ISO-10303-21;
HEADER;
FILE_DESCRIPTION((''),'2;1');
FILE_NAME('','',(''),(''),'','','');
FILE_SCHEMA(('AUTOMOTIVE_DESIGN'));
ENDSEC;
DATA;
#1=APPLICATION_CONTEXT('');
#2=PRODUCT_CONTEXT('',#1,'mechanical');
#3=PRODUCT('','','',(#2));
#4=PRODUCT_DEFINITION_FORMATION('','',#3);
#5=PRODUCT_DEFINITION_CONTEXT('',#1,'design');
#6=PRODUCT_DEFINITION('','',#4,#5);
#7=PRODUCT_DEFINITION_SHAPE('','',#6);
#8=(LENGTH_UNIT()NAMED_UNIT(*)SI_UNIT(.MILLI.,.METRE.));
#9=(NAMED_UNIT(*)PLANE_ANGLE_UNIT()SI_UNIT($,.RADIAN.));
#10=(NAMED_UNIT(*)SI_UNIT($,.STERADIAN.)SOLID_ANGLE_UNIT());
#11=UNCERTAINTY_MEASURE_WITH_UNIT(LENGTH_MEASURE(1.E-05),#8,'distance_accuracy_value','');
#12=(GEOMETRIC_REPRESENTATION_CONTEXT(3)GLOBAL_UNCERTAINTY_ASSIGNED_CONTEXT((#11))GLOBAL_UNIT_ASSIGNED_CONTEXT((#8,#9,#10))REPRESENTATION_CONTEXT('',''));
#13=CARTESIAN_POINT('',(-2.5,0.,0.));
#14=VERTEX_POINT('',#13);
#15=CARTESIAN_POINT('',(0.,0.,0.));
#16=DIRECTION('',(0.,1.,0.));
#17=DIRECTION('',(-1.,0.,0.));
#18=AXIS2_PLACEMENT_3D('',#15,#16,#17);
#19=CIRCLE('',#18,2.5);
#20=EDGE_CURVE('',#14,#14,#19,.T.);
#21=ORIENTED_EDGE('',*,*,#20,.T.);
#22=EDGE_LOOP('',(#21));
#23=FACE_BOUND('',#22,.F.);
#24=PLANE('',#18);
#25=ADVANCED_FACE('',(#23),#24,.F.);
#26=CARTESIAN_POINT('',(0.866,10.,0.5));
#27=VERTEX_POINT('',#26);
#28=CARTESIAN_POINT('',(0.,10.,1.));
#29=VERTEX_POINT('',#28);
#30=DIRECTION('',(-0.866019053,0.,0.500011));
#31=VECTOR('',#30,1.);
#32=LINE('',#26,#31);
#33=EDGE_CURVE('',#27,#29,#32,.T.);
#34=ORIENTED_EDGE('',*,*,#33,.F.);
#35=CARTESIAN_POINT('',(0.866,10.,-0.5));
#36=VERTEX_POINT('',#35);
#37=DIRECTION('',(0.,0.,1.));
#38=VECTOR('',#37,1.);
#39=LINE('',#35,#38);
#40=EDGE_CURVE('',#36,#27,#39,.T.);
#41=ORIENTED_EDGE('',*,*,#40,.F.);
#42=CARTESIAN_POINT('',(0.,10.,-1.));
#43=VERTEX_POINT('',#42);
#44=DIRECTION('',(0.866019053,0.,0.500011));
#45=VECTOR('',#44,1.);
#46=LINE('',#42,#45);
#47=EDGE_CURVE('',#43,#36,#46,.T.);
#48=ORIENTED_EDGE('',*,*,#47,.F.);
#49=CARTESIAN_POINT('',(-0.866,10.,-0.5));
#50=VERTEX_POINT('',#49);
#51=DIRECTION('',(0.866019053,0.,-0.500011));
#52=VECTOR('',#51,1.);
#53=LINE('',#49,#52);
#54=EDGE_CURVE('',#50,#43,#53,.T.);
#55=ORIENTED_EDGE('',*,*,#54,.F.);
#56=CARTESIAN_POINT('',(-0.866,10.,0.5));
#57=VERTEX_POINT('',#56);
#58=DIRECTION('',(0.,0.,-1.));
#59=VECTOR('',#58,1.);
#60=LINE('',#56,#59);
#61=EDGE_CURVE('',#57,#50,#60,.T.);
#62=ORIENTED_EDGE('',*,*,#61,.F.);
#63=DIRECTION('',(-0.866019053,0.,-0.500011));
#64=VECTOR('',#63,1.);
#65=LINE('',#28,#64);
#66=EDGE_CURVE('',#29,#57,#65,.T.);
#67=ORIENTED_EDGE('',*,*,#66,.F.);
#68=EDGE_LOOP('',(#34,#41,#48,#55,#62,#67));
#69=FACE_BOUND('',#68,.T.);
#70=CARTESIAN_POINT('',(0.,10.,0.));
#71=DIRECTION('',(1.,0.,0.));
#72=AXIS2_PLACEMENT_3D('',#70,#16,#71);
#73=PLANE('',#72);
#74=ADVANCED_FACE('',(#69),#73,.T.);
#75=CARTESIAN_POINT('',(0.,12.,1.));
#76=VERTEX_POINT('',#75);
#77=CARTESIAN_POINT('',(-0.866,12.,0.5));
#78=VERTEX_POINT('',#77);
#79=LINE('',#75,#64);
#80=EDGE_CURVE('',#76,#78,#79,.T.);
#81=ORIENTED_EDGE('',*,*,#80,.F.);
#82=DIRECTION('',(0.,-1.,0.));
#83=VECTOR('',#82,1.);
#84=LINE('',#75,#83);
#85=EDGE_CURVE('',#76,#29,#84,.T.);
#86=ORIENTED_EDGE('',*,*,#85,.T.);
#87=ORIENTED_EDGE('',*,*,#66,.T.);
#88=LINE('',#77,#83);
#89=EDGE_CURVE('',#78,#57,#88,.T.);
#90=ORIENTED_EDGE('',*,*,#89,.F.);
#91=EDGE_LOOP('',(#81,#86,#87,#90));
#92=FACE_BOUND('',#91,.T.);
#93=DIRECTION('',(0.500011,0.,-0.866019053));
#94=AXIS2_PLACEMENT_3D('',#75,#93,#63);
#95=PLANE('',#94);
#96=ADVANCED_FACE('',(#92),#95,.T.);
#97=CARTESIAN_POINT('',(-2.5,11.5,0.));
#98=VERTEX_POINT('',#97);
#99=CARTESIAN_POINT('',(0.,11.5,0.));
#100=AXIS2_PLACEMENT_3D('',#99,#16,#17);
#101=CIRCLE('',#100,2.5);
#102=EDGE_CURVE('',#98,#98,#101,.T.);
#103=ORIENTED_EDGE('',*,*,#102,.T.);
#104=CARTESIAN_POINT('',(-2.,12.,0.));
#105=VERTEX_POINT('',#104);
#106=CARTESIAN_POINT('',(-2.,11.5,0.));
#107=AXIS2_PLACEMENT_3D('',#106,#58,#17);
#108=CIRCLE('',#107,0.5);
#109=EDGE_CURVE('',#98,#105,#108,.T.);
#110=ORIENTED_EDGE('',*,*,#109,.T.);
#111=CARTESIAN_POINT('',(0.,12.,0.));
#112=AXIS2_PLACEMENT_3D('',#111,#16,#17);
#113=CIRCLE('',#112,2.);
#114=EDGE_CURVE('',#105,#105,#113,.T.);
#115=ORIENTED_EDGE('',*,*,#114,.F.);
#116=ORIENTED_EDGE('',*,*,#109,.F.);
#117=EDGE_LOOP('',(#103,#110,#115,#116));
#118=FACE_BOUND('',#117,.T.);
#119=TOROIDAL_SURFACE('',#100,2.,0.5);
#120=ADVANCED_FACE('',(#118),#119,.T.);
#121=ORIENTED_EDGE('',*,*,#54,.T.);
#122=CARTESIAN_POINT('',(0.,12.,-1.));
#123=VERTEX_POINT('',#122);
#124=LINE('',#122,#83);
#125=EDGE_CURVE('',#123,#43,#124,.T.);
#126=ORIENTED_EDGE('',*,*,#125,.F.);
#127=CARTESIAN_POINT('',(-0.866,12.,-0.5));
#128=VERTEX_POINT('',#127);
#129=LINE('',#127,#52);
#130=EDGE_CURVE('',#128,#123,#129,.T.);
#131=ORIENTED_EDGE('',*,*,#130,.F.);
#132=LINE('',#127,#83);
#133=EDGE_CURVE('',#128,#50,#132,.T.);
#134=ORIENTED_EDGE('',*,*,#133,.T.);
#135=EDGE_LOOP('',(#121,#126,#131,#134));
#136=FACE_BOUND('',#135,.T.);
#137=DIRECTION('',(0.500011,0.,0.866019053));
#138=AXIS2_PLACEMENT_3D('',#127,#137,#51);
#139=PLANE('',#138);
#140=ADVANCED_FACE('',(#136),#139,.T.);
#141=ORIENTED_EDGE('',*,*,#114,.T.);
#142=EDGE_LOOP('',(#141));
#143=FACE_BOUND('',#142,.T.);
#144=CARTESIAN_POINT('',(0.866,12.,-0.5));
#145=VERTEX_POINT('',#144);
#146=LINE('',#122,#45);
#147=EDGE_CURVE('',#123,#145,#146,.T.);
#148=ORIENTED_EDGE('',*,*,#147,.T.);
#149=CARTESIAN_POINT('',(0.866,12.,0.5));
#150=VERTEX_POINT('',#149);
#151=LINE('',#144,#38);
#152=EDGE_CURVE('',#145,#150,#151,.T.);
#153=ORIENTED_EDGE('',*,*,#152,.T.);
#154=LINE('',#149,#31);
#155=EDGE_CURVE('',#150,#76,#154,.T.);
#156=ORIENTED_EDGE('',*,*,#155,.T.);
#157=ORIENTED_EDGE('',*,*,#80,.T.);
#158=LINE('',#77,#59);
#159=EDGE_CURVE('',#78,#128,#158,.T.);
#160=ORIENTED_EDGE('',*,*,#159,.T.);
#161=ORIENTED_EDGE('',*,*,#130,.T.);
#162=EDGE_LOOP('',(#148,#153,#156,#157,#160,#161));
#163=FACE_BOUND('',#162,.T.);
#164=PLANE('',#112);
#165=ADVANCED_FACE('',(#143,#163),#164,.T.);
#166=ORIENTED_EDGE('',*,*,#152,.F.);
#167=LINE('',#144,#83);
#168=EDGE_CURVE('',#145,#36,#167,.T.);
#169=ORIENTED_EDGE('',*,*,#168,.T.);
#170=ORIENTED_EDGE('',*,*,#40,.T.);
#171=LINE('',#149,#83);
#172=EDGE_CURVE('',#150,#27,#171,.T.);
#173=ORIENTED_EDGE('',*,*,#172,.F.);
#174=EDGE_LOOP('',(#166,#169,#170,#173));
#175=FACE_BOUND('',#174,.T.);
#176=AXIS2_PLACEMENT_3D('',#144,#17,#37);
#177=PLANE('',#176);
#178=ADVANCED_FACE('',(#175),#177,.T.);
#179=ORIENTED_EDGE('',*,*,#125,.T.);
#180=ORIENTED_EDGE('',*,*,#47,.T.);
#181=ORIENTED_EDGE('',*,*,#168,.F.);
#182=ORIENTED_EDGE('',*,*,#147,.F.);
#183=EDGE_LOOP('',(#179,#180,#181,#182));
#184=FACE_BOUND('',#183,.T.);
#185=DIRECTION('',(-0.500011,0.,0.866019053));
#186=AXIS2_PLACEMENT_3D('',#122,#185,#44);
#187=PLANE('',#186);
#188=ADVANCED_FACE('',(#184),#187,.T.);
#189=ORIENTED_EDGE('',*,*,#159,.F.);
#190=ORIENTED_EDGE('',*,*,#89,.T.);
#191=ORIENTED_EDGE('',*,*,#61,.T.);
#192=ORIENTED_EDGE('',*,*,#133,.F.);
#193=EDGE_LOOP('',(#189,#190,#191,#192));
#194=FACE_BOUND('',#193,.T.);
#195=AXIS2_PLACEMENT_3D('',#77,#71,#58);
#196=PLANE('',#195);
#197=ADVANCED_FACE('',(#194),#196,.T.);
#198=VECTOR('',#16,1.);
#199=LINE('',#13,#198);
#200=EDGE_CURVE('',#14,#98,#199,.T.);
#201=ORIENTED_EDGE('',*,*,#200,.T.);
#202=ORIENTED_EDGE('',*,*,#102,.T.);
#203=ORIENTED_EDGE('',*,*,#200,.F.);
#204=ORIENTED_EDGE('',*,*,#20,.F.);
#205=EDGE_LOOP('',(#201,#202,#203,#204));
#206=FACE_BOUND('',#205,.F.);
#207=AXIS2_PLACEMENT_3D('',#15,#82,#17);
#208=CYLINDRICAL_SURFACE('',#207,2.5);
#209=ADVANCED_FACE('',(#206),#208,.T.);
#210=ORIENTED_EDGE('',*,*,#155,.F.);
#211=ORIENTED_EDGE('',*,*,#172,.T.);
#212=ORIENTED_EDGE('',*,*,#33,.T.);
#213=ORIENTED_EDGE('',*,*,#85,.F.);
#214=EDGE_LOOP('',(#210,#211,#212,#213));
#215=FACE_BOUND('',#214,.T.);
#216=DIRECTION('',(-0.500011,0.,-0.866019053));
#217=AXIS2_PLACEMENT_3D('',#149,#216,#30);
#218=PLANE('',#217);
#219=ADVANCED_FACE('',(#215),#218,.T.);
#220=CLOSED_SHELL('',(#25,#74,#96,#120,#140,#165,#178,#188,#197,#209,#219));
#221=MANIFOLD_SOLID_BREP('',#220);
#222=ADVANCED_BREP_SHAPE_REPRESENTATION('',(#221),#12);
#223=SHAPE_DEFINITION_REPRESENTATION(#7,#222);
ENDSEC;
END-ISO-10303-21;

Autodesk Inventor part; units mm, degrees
ref_plane "YZ Plane" through (0, 0, 0) normal (1, 0, 0) x (0, 1, 0)
ref_plane "XZ Plane" through (0, 0, 0) normal (0, 1, 0) x (-1, 0, 0)
ref_plane "XY Plane" through (0, 0, 0) normal (0, 0, 1) x (1, 0, 0)
sketch "Sketch1" plane through (0, 0, 0) normal (0, 1, 0) x (-1, 0, 0)
  circle A0 centre (0, 0) radius 2.5
  dimension "d0" = 5
extrude "Extrusion1" add sketch "Sketch1" along normal blind 12
fillet "Fillet1" radius 0.5 1 edges at (2.5, 12, 0)
sketch "Sketch2" plane through (0, 12, 0) normal (0, 1, 0) x (1, 0, 0)
  line L0 (0, 1) -> (0.866, 0.5)
  line L1 (0.866, 0.5) -> (0.866, -0.5)
  line L2 (0.866, -0.5) -> (0, -1)
  line L3 (0, -1) -> (-0.866, -0.5)
  line L4 (-0.866, -0.5) -> (-0.866, 0.5)
  line L5 (-0.866, 0.5) -> (0, 1)
  point P0 (0, 0)
  point P1 (0, 0)
  dimension "d4" = 1
extrude "Extrusion2" cut sketch "Sketch2" against normal blind 2
properties part number "5mm Screw"
